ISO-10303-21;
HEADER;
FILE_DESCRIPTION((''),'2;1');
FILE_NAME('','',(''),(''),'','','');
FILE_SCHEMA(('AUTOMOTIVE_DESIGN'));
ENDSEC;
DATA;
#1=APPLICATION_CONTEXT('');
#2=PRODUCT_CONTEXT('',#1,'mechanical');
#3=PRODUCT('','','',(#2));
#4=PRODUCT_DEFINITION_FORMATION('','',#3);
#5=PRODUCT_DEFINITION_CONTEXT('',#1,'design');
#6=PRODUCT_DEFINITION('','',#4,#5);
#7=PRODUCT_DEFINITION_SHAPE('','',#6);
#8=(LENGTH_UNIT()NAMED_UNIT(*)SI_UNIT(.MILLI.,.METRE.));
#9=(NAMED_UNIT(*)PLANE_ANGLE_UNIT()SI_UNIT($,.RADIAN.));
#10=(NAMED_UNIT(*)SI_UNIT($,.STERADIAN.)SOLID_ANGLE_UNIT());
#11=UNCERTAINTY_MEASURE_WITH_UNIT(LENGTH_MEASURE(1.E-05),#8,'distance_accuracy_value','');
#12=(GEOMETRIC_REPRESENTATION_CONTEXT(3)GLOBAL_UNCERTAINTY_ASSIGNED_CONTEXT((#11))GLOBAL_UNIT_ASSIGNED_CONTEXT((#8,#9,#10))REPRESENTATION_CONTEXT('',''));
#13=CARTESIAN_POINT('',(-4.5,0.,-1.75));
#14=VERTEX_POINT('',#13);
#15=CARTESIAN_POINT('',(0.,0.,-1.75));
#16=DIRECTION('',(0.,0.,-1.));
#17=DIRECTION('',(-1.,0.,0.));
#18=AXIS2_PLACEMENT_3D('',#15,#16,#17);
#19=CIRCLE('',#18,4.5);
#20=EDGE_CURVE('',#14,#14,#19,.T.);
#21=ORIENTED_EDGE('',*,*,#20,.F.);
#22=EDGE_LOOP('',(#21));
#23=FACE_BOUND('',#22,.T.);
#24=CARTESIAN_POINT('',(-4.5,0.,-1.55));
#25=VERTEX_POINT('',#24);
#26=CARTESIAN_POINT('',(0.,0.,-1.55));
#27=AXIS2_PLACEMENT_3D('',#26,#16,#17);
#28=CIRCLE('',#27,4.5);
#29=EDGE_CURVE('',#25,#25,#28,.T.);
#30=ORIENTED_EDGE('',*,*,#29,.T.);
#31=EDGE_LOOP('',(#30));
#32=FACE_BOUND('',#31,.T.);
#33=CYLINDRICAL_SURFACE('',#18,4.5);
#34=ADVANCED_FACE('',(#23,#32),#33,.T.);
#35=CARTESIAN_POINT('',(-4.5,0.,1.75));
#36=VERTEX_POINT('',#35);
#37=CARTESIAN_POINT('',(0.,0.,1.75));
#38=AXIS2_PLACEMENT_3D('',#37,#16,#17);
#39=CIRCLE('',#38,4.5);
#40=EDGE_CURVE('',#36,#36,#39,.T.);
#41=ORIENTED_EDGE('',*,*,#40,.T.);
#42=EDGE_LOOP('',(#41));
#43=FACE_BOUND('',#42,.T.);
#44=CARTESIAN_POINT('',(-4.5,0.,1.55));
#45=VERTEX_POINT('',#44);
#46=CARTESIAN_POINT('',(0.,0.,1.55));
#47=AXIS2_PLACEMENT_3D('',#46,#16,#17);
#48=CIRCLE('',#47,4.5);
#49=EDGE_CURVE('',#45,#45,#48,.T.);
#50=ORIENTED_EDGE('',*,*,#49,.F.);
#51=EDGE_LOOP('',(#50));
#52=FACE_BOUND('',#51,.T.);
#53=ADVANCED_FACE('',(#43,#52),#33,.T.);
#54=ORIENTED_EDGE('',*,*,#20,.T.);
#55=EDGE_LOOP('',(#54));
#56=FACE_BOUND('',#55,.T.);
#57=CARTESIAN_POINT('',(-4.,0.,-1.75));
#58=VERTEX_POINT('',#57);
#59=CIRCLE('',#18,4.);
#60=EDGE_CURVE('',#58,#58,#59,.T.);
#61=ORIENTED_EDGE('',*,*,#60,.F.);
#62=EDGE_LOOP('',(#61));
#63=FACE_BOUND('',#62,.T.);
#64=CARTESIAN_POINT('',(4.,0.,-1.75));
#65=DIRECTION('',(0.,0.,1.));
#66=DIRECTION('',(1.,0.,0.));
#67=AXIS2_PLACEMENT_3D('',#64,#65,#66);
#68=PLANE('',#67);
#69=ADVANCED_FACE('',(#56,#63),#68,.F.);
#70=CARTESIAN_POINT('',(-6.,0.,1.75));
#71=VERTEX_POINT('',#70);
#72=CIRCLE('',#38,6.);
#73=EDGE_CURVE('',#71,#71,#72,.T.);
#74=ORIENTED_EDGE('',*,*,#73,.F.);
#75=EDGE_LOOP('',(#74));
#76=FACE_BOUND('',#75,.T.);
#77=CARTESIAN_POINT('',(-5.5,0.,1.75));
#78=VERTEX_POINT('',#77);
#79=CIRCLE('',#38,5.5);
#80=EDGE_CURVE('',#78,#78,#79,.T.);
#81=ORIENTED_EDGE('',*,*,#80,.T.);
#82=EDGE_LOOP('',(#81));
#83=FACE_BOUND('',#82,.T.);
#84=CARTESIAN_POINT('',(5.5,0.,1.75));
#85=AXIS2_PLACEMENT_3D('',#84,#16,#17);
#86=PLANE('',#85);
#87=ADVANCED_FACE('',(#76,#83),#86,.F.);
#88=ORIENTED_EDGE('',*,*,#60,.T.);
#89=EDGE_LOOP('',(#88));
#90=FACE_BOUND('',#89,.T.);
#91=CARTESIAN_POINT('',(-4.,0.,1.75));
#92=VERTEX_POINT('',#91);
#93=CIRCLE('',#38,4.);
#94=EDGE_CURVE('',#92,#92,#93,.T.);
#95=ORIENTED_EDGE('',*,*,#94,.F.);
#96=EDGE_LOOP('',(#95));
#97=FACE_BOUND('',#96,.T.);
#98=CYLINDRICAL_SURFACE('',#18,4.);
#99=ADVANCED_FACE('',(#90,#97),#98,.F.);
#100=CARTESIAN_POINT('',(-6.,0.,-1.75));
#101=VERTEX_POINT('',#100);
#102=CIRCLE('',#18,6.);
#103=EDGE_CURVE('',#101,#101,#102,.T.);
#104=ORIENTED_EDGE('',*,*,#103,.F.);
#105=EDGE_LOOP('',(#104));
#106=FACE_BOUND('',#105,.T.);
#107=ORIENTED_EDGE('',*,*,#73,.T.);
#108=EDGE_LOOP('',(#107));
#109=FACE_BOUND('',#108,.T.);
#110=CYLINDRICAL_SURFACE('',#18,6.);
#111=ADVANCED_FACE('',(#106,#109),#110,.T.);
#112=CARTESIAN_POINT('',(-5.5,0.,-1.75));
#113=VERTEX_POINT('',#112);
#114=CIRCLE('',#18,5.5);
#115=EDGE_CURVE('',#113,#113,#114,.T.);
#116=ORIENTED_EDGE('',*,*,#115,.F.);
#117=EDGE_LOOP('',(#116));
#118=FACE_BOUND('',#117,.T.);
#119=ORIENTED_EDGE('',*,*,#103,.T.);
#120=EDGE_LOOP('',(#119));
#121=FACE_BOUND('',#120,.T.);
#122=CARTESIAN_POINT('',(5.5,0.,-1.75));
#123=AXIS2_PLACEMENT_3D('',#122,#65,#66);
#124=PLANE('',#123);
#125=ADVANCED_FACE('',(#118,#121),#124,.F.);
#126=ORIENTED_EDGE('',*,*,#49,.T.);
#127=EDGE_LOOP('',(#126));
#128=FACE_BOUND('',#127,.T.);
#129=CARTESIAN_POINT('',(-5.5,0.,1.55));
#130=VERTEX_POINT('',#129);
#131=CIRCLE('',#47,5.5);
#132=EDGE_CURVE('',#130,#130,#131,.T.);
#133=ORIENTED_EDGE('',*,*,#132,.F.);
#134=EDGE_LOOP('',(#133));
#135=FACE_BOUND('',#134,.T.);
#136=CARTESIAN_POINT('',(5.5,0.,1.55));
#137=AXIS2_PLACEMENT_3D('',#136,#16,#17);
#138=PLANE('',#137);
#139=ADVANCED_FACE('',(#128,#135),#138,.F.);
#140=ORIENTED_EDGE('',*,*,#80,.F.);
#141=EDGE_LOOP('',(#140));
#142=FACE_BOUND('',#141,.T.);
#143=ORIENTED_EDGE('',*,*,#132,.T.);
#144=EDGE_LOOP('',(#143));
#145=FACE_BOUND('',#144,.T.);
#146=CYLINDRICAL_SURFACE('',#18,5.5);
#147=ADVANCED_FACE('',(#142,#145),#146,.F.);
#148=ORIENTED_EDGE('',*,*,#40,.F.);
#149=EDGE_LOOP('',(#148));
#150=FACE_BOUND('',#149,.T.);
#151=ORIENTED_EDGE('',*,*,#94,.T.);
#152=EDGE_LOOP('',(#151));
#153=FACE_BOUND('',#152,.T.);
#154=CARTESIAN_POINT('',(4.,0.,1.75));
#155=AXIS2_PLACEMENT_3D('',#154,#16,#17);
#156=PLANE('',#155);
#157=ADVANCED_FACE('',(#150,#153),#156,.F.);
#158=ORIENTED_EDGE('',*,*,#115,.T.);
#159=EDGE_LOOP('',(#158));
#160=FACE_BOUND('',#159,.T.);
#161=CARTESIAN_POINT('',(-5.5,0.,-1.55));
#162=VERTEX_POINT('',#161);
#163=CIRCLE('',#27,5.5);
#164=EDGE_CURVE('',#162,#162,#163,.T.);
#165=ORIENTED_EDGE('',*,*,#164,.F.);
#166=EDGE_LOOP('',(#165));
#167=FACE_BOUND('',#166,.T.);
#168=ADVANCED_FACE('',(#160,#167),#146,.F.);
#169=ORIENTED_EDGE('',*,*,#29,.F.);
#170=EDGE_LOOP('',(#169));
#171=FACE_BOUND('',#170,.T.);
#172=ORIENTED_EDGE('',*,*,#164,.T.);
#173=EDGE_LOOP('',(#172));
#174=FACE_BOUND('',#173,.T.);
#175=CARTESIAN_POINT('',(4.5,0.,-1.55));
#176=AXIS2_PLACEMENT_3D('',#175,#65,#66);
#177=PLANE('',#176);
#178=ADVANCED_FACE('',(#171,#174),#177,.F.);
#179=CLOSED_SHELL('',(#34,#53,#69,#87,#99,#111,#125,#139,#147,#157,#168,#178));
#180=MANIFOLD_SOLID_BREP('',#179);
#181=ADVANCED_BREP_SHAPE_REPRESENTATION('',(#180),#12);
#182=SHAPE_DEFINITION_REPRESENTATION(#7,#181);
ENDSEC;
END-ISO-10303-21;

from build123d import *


with BuildPart() as part:
    # Sketch1 → Revolve1 (revolve)
    with BuildSketch(Plane(origin=(0, 0, 0), x_dir=(1, 0, 0), z_dir=(0, 1, 0))):
        Polygon((5.5, 1.75), (6, 1.75), (6, -1.75), (5.5, -1.75), (5.5, -1.55), (4.5, -1.55), (4.5, -1.75), (4, -1.75), (4, 1.75), (4.5, 1.75), (4.5, 1.55), (5.5, 1.55), align=None)
    revolve(axis=Axis((0, 0, -1.75), (0, 0, 1)))


solid = part.part
